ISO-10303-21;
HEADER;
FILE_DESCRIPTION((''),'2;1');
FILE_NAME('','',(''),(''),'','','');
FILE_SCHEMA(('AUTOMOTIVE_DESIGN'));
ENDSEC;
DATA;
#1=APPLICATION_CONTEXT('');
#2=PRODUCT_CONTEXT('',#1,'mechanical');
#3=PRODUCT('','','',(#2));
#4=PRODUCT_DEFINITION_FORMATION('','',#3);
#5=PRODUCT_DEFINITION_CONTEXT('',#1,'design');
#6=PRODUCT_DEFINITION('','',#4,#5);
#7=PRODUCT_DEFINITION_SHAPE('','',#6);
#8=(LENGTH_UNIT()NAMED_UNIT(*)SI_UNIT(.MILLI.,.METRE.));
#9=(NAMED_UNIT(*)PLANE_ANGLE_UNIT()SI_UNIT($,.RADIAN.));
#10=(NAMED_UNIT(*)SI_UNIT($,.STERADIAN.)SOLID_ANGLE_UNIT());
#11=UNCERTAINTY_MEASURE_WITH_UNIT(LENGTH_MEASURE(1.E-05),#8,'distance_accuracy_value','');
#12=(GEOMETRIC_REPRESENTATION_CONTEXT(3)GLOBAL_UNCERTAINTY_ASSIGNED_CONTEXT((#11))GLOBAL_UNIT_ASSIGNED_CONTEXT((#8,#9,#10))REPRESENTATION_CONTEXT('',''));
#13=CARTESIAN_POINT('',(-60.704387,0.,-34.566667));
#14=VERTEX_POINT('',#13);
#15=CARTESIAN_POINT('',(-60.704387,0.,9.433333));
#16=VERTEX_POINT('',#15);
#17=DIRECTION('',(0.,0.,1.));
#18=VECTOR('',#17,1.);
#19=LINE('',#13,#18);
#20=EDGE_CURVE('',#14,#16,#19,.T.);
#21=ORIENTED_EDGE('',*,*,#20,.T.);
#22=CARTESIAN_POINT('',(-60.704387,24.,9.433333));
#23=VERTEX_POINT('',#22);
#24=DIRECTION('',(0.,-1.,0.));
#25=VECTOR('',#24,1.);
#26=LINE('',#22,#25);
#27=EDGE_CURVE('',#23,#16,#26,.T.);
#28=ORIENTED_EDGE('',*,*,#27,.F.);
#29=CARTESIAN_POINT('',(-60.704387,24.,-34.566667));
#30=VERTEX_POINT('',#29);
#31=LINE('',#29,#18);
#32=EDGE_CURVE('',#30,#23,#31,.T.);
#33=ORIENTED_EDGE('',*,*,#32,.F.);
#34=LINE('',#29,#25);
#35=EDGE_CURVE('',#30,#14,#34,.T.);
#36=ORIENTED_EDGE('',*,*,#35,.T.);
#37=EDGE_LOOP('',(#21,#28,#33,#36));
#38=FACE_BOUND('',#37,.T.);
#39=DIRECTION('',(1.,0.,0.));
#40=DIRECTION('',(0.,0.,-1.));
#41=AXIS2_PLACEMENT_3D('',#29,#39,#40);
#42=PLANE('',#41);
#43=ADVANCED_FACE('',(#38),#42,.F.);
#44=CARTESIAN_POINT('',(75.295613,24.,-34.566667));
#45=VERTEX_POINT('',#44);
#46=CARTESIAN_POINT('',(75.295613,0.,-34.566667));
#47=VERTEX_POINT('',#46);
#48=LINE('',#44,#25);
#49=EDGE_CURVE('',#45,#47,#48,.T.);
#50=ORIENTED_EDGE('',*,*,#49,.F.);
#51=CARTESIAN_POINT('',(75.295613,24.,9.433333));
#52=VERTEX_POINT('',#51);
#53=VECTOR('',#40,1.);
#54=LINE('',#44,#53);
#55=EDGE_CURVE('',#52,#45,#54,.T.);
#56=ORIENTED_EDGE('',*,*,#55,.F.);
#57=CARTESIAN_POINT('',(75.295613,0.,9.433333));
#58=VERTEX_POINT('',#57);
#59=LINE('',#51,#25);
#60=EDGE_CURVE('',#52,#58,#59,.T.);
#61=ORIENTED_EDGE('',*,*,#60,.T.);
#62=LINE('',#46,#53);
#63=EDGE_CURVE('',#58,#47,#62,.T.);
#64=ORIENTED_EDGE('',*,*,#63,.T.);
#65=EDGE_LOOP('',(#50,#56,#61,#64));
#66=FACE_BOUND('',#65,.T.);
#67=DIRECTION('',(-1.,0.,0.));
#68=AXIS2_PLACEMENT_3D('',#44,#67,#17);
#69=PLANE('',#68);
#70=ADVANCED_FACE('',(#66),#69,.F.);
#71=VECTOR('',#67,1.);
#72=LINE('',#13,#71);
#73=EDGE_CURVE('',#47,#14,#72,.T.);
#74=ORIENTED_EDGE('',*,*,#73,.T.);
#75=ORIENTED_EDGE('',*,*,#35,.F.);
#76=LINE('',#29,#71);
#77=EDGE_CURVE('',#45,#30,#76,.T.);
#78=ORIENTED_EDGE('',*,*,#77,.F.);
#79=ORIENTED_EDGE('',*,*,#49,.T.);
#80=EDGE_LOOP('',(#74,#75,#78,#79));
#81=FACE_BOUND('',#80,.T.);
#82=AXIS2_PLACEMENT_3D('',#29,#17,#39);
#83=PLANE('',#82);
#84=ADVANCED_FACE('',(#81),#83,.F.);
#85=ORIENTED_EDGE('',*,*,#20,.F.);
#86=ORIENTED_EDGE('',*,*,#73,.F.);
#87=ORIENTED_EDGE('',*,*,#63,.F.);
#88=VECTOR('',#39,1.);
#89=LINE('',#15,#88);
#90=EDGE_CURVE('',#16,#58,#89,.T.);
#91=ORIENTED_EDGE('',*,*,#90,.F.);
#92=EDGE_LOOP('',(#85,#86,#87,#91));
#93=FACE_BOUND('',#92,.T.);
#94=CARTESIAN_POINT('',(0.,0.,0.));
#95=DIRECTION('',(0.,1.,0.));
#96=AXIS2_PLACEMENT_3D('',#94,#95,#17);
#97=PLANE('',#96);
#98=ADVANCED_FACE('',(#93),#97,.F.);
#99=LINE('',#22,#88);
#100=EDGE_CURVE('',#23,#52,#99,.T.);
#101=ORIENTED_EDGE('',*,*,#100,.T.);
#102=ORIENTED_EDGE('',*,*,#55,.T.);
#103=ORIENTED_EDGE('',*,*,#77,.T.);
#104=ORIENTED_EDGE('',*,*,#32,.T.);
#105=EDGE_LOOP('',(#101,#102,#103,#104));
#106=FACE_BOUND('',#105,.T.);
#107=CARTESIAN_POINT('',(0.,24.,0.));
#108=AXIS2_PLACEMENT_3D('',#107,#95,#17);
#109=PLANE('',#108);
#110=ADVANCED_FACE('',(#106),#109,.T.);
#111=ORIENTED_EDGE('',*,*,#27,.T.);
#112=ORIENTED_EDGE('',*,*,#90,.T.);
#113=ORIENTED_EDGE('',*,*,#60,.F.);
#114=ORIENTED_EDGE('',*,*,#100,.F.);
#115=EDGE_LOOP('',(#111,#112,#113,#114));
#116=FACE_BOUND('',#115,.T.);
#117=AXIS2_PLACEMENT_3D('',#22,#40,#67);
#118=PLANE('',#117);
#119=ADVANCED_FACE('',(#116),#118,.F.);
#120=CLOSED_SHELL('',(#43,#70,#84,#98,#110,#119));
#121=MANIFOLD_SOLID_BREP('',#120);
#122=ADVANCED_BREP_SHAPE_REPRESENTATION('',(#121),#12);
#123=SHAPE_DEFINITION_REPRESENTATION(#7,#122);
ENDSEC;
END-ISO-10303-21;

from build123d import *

# Parameters (mm, degrees)
SKETCH1_W           = 136
SKETCH1_H           = 44
BOSS_EXTRUDE1_DEPTH = 24


with BuildPart() as part:
    # Sketch1 → Boss-Extrude1 (new body)
    with BuildSketch(Plane(origin=(0, 0, 0), x_dir=(1, 0, 0), z_dir=(0, 1, 0))):
        with Locations((7.295612669, 12.566666667)):
            Rectangle(SKETCH1_W, SKETCH1_H)
    extrude(amount=BOSS_EXTRUDE1_DEPTH)


solid = part.part
